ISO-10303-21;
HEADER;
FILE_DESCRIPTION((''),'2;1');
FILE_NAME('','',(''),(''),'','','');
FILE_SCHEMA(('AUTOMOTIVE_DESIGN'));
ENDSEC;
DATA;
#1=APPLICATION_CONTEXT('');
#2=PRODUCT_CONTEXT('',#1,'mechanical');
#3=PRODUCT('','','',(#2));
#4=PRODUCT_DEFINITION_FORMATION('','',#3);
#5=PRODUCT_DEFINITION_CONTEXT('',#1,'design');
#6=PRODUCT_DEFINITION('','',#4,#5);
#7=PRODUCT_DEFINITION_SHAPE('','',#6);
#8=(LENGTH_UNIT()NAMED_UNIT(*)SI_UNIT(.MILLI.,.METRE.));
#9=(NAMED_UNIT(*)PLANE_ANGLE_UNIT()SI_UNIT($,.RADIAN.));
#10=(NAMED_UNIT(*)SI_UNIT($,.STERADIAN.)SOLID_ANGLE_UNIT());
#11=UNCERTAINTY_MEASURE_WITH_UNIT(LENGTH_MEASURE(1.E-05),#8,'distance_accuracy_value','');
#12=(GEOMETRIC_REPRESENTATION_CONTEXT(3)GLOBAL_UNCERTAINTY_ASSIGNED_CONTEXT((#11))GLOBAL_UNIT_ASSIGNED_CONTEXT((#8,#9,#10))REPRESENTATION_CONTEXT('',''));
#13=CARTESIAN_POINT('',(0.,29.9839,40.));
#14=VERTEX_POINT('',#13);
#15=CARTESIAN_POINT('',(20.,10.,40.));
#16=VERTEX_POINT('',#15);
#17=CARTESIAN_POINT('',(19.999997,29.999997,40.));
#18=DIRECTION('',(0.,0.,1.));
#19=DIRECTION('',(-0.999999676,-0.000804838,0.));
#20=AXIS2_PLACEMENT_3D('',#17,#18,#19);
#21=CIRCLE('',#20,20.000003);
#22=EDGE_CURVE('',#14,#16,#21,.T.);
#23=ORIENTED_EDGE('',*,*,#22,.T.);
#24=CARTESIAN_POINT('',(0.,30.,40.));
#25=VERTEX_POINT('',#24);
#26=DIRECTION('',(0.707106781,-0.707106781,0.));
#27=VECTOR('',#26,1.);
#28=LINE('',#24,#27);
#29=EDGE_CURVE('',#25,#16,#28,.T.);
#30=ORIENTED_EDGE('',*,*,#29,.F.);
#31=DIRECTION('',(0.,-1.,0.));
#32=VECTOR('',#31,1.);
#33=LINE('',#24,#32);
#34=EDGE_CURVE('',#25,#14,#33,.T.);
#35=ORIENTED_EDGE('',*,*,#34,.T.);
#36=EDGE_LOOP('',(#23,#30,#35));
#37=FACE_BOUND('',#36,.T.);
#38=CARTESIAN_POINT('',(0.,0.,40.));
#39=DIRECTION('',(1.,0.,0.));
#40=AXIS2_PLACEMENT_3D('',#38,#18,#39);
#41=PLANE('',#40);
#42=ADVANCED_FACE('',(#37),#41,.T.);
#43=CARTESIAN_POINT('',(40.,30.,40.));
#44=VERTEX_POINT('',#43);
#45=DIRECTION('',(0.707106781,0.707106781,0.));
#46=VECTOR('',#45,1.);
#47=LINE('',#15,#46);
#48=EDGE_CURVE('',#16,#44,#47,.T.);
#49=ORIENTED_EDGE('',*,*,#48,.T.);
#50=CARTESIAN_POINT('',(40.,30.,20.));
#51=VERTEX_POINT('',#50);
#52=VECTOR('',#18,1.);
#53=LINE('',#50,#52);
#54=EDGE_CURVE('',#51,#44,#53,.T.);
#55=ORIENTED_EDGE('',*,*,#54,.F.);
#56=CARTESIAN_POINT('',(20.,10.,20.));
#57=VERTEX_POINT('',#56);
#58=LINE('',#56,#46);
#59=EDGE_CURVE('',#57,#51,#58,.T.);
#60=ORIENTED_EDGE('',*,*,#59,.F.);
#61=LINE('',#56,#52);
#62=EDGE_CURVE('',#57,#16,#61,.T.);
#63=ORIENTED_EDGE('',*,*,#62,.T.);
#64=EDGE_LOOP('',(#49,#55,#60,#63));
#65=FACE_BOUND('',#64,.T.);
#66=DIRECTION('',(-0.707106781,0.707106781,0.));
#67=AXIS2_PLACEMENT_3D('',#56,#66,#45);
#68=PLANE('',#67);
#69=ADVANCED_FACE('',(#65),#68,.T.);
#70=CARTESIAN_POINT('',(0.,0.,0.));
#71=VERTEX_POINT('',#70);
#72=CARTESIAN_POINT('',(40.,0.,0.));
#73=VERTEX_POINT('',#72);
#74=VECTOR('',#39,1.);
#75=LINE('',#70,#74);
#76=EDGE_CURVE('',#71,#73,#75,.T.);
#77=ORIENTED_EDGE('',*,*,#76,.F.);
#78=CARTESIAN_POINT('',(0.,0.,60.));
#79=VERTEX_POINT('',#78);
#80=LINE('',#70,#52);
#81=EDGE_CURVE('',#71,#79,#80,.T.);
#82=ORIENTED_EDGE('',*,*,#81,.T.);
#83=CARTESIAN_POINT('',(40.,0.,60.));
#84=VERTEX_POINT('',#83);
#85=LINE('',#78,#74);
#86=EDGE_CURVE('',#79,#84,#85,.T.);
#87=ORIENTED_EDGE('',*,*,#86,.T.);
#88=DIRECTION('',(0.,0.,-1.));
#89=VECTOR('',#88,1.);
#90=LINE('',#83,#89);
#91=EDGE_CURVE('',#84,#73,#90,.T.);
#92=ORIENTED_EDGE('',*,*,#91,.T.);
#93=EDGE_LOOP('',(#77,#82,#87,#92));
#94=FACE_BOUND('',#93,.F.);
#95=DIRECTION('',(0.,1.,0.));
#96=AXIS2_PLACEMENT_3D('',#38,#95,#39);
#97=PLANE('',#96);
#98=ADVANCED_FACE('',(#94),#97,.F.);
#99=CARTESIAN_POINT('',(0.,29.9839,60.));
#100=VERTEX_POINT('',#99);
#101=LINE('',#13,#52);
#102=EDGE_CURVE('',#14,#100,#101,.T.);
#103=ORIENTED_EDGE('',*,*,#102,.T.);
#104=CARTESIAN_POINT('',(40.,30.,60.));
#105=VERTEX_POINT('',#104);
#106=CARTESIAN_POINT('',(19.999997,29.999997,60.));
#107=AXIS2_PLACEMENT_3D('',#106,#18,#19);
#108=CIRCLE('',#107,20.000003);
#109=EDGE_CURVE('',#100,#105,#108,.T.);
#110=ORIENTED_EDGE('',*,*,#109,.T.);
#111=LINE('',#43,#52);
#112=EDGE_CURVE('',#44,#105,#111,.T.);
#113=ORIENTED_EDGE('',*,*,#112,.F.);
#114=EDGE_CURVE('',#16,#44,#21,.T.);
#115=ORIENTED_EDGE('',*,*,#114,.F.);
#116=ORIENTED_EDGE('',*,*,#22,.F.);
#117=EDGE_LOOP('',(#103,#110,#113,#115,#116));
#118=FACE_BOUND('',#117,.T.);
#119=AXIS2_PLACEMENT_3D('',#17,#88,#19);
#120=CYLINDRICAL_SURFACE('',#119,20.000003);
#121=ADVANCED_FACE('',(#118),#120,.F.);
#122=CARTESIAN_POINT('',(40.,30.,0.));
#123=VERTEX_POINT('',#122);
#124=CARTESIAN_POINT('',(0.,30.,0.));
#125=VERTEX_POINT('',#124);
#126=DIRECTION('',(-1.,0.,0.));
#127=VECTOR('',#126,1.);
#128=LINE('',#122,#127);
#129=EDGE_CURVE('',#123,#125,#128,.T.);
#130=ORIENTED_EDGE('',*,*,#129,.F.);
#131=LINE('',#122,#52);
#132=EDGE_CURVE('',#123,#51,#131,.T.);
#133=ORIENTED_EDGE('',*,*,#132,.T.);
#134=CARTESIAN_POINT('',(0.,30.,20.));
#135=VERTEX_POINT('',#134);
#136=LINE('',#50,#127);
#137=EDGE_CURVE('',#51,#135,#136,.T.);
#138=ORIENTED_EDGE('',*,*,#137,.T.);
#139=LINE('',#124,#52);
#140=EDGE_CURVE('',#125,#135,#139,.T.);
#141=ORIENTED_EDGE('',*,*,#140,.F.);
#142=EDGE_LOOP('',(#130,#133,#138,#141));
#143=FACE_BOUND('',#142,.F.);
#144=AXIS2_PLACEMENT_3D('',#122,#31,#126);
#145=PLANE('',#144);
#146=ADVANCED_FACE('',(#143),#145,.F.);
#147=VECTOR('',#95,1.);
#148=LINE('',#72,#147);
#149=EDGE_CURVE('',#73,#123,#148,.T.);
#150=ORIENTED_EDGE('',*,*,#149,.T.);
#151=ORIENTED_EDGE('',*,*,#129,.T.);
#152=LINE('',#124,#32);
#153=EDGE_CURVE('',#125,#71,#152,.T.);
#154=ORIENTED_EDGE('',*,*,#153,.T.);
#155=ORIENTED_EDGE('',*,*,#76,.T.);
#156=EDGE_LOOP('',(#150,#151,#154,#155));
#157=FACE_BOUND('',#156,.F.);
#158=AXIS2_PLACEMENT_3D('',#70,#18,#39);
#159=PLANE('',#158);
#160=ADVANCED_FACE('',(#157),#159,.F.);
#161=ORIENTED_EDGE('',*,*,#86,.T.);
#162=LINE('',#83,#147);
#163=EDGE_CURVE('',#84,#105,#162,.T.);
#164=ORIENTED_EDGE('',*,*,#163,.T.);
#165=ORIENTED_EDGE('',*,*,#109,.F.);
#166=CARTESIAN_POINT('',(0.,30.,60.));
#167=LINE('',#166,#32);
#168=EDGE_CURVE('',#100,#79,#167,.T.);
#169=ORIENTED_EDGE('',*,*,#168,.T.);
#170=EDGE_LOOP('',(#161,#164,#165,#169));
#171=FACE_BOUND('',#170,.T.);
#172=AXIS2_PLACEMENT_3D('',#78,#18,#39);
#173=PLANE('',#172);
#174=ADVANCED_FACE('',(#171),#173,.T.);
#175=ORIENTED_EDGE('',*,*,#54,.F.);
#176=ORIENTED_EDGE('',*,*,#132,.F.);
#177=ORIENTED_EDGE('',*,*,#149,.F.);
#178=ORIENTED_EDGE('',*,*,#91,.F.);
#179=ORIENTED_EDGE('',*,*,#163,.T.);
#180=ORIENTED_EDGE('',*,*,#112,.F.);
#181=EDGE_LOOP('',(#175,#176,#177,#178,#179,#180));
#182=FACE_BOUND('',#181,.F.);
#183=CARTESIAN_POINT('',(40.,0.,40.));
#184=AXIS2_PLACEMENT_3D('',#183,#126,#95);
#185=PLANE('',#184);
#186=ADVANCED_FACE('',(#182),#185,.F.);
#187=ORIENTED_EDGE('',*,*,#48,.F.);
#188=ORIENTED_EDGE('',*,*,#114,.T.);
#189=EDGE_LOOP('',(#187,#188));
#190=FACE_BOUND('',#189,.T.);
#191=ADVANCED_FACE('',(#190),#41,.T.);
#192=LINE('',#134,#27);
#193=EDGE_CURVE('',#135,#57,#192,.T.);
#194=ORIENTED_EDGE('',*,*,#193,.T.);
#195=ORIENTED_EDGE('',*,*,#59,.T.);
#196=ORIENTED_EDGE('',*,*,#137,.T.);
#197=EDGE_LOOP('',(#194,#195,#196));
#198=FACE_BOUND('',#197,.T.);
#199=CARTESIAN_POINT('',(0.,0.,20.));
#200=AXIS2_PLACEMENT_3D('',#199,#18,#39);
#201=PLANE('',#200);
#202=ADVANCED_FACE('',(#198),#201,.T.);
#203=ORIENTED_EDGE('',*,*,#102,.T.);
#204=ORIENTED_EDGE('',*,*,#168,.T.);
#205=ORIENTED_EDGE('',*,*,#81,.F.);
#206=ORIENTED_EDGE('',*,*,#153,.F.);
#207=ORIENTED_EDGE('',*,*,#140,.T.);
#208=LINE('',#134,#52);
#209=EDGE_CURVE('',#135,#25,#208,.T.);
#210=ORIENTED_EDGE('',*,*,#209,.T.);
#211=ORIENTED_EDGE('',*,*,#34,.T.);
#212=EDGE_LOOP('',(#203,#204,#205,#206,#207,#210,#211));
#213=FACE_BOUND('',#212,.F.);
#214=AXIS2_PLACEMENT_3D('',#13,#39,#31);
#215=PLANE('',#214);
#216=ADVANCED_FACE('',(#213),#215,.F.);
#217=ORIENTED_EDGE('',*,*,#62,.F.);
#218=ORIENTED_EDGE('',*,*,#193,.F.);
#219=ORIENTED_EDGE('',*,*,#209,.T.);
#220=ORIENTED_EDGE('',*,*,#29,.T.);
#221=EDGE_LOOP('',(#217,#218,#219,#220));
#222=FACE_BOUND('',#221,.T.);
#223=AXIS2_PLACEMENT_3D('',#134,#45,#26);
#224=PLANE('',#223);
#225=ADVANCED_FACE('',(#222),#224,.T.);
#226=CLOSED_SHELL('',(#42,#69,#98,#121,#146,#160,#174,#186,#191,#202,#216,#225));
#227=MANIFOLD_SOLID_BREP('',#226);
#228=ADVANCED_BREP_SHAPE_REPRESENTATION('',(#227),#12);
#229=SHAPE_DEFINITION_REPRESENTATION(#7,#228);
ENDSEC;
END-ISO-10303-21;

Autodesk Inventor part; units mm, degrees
ref_plane "YZ Plane" through (0, 0, 0) normal (1, 0, 0) x (0, 1, 0)
ref_plane "XZ Plane" through (0, 0, 0) normal (0, 1, 0) x (-1, 0, 0)
ref_plane "XY Plane" through (0, 0, 0) normal (0, 0, 1) x (1, 0, 0)
sketch "草圖1" plane through (0, 0, 0) normal (0, 0, 1) x (1, 0, 0)
  line L0 (0, 0) -> (40, 0)
  line L1 (40, 0) -> (40, 30)
  line L2 (40, 30) -> (0, 30)
  line L3 (0, 30) -> (0, 0)
  dimension "d0" = 40
  dimension "d1" = 30
extrude "擠出1" add sketch "草圖1" along normal blind 20
sketch "草圖2" plane through (0, 0, 20) normal (0, 0, 1) x (1, 0, 0)
  line L0 (0, 30) -> (0, 0) projected
  line L1 (0, 0) -> (40, 0) projected
  line L2 (40, 30) -> (40, 0)
  line L3 (40, 0) -> (0, 0)
  line L4 (0, 0) -> (0, 30)
  line L5 (40, 30) -> (0, 30) construction
  line L6 (0, 30) -> (20, 10)
  line L7 (20, 10) -> (40, 30)
  dimension "d4" = 20
  dimension "d5" = 20
extrude "擠出2" add sketch "草圖2" along normal blind 20
sketch "草圖3" plane through (0, 0, 40) normal (0, 0, 1) x (1, 0, 0)
  line L0 (40, 30) -> (20, 10) construction
  arc A0 (0, 29.9839) -> (40, 30) centre (20, 30) ccw
  line L1 (0, 30) -> (0, 0) projected
  line L2 (0, 29.9839) -> (0, 0)
  line L3 (0, 0) -> (40, 0)
  line L4 (40, 0) -> (40, 30) projected
  line L5 (40, 0) -> (40, 30)
extrude "擠出3" add sketch "草圖3" along normal blind 20
properties part number "38 (51433.628 mm^3)"
